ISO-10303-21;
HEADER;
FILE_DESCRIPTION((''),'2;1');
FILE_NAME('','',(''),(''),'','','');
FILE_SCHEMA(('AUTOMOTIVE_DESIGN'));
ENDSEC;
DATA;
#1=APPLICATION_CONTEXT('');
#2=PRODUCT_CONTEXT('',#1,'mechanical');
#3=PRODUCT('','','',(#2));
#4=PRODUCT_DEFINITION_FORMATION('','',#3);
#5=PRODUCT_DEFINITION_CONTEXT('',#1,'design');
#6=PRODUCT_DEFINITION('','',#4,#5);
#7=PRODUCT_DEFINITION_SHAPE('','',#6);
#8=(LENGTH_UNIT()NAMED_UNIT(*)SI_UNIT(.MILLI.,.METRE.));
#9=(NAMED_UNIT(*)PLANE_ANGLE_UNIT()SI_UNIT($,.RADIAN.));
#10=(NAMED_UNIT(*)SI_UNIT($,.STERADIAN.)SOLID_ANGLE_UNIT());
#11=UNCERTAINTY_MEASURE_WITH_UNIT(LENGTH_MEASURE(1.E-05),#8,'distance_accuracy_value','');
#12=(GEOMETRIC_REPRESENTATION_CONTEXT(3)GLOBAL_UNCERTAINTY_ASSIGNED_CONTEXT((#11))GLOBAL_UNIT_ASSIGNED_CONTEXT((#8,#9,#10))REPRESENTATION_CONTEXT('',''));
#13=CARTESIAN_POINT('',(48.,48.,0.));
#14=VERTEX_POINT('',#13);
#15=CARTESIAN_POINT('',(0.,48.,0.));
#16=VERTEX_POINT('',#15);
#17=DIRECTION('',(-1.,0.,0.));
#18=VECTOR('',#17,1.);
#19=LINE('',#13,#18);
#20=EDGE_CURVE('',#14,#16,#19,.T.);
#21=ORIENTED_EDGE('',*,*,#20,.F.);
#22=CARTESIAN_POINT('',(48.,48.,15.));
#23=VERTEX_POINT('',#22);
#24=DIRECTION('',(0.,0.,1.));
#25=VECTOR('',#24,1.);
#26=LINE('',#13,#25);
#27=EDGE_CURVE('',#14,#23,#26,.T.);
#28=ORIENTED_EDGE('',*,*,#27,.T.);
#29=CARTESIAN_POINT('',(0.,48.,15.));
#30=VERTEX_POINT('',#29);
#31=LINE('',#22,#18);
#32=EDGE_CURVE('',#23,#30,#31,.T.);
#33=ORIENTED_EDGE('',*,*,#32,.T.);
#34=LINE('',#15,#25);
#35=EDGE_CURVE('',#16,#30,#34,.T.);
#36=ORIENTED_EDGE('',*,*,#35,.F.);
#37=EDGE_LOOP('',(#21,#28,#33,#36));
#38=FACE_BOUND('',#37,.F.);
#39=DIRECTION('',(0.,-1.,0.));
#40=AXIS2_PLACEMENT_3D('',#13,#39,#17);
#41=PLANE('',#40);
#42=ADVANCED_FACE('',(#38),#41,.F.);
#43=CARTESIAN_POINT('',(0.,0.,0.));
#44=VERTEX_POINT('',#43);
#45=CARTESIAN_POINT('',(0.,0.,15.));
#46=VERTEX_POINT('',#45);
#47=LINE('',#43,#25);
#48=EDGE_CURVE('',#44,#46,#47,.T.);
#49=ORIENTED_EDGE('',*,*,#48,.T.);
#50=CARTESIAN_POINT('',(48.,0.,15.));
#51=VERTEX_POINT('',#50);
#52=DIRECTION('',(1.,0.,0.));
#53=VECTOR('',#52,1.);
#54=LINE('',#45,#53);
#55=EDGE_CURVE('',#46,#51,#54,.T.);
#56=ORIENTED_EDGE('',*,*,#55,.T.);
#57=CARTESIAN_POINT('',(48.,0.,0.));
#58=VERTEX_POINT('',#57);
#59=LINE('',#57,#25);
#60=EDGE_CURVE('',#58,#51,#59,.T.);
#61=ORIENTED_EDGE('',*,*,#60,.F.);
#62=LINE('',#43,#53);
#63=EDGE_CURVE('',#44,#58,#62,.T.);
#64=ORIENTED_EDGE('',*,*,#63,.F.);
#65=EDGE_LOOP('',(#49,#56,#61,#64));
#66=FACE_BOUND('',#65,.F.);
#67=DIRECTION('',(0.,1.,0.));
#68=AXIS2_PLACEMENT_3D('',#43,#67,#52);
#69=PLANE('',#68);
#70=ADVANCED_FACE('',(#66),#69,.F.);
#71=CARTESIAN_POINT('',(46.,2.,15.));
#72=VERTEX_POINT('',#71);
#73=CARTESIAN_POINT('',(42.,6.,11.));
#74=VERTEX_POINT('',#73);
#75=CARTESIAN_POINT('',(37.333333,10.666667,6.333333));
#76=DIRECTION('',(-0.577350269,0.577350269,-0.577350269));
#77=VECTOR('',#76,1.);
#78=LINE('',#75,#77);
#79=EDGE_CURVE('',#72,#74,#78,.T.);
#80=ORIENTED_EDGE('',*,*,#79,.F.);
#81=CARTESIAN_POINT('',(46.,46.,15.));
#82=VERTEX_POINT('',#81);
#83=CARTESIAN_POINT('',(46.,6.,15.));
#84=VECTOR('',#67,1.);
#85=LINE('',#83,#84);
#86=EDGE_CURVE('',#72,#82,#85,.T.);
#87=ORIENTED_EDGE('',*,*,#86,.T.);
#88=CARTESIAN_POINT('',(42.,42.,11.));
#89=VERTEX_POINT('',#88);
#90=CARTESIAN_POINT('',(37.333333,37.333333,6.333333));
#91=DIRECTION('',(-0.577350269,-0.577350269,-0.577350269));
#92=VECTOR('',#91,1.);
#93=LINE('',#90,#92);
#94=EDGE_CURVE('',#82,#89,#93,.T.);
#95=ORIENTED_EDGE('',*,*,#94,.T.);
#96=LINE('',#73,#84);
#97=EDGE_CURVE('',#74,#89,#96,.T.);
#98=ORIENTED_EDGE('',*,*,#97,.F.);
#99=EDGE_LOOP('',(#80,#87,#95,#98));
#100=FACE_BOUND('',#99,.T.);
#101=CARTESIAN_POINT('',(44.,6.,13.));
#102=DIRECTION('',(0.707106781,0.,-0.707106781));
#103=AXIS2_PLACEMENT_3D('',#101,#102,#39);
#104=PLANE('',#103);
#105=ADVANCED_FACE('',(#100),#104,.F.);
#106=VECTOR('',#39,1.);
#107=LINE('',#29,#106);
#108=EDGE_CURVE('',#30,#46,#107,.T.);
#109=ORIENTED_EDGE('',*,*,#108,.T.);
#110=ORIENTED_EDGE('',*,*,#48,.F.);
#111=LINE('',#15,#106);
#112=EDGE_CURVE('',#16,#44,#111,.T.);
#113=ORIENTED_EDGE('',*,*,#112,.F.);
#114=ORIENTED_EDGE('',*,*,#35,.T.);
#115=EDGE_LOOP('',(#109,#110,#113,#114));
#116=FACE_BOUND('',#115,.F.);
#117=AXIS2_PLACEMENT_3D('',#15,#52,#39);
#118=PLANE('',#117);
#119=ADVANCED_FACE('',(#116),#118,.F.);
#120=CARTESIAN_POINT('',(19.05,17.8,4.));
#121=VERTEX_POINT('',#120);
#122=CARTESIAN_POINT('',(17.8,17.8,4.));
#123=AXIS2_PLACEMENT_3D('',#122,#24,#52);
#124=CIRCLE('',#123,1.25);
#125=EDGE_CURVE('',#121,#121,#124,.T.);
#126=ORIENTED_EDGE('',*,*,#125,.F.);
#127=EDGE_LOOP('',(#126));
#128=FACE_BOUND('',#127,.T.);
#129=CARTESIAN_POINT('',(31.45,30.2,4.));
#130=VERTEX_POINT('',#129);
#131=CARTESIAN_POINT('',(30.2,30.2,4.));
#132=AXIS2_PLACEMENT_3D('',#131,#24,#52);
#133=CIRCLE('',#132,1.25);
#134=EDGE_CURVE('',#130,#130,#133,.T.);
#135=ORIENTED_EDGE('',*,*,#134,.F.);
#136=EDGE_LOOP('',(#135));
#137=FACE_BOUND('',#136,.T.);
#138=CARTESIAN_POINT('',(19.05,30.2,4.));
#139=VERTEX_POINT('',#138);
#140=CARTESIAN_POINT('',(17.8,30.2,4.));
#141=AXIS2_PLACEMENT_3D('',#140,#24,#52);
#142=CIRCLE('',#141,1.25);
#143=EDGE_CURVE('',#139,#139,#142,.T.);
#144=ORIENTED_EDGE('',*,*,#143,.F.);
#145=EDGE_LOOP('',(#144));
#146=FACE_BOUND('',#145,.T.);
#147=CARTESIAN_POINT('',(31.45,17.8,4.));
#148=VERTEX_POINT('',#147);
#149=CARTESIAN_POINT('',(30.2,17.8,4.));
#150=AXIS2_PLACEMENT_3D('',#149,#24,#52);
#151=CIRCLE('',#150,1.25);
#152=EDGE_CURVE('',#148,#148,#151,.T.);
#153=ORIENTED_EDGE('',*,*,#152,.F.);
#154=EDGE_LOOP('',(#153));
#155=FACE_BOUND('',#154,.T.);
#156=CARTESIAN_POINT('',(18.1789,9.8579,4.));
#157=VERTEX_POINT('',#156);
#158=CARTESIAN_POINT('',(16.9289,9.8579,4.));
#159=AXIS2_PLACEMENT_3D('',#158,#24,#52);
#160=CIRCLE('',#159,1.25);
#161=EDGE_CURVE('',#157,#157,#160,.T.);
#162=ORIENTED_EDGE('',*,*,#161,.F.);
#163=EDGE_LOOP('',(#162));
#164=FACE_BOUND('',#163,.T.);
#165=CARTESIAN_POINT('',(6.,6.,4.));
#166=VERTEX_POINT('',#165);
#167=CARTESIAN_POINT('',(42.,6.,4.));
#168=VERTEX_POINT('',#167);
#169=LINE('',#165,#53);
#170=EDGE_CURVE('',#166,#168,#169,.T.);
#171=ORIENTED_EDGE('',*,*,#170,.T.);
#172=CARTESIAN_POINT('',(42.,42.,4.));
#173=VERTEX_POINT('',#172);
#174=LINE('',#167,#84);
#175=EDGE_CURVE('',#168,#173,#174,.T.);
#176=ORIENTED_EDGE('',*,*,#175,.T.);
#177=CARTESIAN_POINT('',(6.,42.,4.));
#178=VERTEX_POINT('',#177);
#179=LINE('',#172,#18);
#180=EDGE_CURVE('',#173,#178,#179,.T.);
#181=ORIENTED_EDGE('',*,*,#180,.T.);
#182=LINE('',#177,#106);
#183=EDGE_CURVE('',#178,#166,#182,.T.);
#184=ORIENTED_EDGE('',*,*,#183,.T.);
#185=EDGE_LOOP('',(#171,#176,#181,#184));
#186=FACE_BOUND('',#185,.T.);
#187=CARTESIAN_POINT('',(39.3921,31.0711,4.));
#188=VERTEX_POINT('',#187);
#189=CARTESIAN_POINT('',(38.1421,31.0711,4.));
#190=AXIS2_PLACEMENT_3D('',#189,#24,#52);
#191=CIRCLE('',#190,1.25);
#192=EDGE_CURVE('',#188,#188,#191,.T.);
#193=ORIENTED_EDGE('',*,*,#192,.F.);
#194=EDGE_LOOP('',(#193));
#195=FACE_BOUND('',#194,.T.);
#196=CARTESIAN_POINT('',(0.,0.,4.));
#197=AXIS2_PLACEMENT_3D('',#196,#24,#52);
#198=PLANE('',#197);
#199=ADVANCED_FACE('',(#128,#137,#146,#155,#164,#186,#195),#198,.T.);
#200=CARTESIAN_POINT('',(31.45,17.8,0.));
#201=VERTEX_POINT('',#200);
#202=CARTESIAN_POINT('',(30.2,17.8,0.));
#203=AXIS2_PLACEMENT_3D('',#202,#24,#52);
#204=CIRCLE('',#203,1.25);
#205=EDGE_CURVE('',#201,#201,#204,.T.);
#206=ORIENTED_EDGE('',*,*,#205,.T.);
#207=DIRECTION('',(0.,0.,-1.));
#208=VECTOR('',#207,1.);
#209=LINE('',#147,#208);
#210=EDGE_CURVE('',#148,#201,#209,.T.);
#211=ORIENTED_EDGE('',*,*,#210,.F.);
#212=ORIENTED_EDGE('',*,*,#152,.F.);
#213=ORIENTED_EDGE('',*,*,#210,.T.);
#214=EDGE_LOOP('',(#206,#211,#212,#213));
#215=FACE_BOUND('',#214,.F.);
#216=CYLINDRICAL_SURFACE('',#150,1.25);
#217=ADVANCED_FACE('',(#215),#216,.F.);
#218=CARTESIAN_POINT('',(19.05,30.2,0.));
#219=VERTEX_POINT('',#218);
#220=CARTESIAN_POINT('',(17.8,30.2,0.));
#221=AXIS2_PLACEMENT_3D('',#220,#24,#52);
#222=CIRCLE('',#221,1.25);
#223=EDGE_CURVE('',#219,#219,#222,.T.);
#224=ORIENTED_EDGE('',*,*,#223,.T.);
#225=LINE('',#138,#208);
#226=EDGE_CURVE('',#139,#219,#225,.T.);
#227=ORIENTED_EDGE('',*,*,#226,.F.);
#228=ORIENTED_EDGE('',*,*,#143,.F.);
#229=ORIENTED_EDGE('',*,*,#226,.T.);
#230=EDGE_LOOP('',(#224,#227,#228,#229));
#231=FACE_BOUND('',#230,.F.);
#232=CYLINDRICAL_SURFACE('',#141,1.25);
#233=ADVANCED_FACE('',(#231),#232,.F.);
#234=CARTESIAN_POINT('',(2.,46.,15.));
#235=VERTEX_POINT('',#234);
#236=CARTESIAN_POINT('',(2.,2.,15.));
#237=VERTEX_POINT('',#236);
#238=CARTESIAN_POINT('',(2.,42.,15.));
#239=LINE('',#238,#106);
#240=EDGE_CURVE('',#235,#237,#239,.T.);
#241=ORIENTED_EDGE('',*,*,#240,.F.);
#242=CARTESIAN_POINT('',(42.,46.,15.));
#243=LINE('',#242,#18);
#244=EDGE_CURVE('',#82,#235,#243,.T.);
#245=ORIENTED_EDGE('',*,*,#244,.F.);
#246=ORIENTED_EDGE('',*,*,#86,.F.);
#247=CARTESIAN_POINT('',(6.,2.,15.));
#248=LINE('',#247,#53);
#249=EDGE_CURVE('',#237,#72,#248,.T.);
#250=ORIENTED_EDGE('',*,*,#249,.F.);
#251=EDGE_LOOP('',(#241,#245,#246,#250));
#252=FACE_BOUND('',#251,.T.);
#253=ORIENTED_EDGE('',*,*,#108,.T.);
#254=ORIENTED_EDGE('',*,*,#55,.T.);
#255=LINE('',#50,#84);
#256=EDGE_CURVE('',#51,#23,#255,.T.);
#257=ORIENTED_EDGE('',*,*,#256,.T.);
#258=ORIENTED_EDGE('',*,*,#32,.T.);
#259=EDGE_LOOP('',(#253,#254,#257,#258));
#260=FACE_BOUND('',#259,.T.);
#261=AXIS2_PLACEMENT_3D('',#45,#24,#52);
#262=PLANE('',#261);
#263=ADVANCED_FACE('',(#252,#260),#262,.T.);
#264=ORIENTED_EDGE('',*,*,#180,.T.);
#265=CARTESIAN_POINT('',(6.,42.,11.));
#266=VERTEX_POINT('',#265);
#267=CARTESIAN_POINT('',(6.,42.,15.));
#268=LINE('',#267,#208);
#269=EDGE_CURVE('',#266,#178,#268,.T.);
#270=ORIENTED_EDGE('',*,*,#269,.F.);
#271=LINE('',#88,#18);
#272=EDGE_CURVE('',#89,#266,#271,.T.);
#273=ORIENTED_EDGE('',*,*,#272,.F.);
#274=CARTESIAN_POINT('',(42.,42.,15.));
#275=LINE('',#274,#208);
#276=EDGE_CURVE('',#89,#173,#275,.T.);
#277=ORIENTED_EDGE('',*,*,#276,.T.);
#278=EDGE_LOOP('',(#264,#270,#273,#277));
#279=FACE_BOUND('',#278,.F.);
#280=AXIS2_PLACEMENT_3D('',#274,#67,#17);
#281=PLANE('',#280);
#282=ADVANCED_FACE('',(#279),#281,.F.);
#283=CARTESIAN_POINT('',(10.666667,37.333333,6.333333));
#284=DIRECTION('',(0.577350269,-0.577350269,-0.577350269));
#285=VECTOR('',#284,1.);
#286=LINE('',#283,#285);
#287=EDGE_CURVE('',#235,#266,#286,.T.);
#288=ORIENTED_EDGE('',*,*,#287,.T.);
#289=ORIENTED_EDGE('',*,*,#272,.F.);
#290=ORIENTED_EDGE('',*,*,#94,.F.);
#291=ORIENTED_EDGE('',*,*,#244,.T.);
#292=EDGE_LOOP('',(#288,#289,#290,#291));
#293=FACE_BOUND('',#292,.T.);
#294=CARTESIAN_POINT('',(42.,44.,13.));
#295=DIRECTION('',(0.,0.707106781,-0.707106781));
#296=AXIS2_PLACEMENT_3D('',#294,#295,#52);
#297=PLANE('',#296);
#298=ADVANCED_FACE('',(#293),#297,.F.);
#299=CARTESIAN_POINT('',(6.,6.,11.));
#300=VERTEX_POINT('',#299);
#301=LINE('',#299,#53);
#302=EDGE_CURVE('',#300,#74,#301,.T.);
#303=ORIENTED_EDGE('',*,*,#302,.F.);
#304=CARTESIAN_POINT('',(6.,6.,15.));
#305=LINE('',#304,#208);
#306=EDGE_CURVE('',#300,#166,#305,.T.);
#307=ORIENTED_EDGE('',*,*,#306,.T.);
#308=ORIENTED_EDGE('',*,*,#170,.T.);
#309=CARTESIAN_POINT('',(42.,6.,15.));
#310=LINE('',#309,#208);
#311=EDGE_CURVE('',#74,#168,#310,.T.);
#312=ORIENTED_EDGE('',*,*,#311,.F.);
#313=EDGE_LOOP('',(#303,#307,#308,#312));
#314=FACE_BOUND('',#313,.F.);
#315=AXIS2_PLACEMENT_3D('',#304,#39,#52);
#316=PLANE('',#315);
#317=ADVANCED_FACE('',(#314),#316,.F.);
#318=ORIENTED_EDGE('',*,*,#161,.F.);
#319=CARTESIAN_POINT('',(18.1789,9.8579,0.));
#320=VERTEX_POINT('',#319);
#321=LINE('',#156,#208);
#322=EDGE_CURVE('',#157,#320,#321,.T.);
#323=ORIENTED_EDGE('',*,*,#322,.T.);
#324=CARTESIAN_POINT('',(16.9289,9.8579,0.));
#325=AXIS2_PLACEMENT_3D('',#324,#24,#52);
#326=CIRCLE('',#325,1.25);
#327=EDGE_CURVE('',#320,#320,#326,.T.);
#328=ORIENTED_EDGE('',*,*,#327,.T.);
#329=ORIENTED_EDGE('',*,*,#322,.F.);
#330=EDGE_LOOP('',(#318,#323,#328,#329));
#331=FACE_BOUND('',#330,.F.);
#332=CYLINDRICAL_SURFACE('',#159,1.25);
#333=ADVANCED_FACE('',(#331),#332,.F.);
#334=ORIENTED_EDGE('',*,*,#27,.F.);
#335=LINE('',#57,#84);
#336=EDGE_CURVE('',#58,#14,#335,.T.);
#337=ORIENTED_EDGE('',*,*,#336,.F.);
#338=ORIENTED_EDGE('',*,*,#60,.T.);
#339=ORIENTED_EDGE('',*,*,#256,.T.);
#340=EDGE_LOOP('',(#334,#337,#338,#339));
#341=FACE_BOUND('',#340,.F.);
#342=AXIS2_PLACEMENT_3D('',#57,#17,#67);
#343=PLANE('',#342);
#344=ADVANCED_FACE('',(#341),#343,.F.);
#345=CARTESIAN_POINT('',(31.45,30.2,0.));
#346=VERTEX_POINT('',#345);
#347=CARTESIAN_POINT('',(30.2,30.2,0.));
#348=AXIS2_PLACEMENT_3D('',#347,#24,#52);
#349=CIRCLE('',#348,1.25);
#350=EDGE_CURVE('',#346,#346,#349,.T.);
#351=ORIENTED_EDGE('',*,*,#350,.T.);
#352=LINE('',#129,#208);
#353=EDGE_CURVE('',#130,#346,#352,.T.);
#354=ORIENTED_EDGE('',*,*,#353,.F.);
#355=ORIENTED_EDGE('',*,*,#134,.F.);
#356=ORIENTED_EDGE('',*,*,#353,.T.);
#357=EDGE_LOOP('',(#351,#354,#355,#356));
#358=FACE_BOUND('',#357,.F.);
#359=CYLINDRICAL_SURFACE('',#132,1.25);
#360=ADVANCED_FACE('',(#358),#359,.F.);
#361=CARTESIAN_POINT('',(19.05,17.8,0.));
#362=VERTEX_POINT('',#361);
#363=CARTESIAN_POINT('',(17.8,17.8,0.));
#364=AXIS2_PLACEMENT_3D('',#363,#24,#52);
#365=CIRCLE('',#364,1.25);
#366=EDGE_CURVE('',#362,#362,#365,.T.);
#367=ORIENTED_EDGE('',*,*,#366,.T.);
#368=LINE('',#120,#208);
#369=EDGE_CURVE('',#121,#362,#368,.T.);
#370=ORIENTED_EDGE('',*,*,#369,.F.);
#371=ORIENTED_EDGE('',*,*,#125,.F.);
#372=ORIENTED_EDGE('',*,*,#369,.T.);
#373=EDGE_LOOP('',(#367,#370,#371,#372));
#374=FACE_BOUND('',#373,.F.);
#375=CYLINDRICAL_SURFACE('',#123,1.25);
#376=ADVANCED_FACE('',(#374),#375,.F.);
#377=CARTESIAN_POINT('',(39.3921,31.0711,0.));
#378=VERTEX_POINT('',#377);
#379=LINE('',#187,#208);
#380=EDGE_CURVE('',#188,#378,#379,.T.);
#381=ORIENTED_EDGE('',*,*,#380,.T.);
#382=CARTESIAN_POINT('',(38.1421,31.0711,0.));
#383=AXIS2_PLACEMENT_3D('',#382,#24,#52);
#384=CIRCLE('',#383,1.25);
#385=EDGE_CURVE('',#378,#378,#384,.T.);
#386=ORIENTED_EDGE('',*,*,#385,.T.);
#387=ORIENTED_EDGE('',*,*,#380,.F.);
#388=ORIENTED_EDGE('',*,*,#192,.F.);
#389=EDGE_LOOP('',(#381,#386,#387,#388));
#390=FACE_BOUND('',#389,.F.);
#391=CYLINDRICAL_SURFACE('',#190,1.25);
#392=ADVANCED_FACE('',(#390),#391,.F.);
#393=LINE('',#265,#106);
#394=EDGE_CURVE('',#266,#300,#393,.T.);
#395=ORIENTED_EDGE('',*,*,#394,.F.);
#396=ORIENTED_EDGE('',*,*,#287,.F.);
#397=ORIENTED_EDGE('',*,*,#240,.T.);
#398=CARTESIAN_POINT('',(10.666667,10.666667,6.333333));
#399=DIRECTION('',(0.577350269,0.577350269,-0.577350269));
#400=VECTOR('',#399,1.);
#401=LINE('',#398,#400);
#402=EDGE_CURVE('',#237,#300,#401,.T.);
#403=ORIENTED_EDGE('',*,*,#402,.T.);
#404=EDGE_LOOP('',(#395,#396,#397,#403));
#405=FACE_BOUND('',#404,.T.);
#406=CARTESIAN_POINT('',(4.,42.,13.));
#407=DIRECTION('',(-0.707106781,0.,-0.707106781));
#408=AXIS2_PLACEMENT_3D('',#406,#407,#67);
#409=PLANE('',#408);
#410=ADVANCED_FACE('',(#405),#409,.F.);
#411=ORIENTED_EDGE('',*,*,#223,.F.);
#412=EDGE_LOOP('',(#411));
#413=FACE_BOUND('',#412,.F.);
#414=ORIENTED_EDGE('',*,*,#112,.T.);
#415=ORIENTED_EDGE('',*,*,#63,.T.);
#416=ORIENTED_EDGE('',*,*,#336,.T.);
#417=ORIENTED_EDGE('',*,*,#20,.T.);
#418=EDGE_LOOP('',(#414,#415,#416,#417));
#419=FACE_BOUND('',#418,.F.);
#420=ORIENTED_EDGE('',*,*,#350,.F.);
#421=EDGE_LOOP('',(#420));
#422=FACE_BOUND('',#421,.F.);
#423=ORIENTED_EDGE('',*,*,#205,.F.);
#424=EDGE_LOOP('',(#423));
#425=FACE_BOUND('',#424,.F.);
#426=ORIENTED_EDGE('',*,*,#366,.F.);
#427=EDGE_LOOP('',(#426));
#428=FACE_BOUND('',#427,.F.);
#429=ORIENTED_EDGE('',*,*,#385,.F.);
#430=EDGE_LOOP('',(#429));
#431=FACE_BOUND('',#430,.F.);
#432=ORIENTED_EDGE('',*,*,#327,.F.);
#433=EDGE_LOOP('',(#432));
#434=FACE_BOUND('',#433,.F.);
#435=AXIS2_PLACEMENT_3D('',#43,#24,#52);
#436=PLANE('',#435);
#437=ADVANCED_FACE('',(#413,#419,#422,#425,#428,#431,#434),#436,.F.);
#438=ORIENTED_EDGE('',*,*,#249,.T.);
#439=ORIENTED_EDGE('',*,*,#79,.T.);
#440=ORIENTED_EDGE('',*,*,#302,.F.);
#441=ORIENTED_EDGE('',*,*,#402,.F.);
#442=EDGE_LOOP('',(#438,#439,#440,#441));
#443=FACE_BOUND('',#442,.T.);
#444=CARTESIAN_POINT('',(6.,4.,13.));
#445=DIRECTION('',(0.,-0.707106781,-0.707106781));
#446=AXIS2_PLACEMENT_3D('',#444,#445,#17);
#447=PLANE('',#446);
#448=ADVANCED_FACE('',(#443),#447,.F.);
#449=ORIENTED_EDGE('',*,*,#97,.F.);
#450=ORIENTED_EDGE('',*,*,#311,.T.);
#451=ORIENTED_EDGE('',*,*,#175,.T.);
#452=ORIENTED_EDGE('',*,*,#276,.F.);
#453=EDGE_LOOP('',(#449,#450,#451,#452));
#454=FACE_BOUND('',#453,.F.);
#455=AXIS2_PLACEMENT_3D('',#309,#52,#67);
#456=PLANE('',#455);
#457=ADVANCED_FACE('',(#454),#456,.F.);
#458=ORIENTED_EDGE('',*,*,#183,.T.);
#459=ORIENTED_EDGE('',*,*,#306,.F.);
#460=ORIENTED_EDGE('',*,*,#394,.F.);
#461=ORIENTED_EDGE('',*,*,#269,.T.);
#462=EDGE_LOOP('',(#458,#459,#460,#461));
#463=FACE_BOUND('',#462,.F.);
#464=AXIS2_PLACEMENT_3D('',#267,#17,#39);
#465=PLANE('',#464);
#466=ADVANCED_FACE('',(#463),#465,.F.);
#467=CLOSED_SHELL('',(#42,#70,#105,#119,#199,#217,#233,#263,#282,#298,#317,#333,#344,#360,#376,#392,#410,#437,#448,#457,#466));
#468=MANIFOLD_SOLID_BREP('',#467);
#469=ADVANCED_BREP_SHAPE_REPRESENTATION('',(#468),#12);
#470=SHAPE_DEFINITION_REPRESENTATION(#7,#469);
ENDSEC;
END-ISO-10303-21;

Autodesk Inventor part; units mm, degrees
ref_plane "YZ Plane" through (0, 0, 0) normal (1, 0, 0) x (0, 1, 0)
ref_plane "XZ Plane" through (0, 0, 0) normal (0, 1, 0) x (-1, 0, 0)
ref_plane "XY Plane" through (0, 0, 0) normal (0, 0, 1) x (1, 0, 0)
sketch "Sketch1" plane through (0, 0, 0) normal (0, 0, 1) x (1, 0, 0)
  line L0 (0, 0) -> (48, 0)
  line L1 (48, 0) -> (48, 48)
  line L2 (48, 48) -> (0, 48)
  line L3 (0, 48) -> (0, 0)
  dimension "d0" = 48
  dimension "d1" = 48
extrude "Extrusion1" add sketch "Sketch1" along normal blind 15
sketch "Sketch2" plane through (0, 0, 15) normal (0, 0, 1) x (1, 0, 0)
  line L0 (6, 6) -> (42, 6)
  line L1 (42, 6) -> (42, 42)
  line L2 (42, 42) -> (6, 42)
  line L3 (6, 42) -> (6, 6)
  point P0 (0, 0)
  dimension "d6" = 36
  dimension "d7" = 36
extrude "Extrusion2" cut sketch "Sketch2" against normal blind 11
chamfer "Chamfer1" distance 4 angle 45 4 edges at (42, 24, 15) (24, 42, 15) (6, 24, 15) (24, 6, 15)
sketch "Sketch3" plane through (0, 0, 4) normal (0, 0, 1) x (1, 0, 0)
  line L0 (0, 0) -> (24, 0)
  line L1 (0, 24) -> (0, 0)
  line L2 (46, 46) -> (2, 46) projected
  line L3 (26.6, 24) -> (26.6, 24.8)
  line L4 (26.6, 24.8) -> (30.2, 24.8)
  line L5 (30.2, 24.8) -> (30.2, 23.2)
  line L6 (30.2, 23.2) -> (26.6, 23.2)
  line L7 (24, 21.4) -> (24.8, 21.4)
  line L8 (24.8, 21.4) -> (24.8, 17.8)
  line L9 (24.8, 17.8) -> (23.2, 17.8)
  line L10 (23.2, 17.8) -> (23.2, 21.4)
  line L11 (21.4, 23.2) -> (17.8, 23.2)
  line L12 (17.8, 23.2) -> (17.8, 24.8)
  line L13 (17.8, 24.8) -> (21.4, 24.8)
  line L14 (24, 26.6) -> (24.8, 26.6)
  line L15 (24.8, 26.6) -> (24.8, 30.2)
  line L16 (24.8, 30.2) -> (23.2, 30.2)
  line L17 (23.2, 30.2) -> (23.2, 26.6)
  line L18 (48, 48) -> (0, 48) projected
  line L19 (0, 48) -> (0, 0) projected
  circle A0 centre (38.1421, 31.0711) radius 1.25
  circle A1 centre (16.9289, 9.8579) radius 1.25
  line L20 (21.4, 23.2) -> (21.4, 24.8)
  line L21 (23.2, 26.6) -> (24, 26.6)
  line L22 (26.6, 23.2) -> (26.6, 24)
  line L23 (23.2, 21.4) -> (24, 21.4)
  circle A2 centre (26.6, 21.4) radius 1.25
  circle A3 centre (21.4, 26.6) radius 1.25
  circle A4 centre (26.6, 26.6) radius 1.25
  circle A5 centre (21.4, 21.4) radius 1.25
  line L24 (24, 24) -> (30.2, 24)
  circle A6 centre (30.2, 30.2) radius 1.25
  circle A7 centre (17.8, 30.2) radius 1.25
  circle A8 centre (17.8, 17.8) radius 1.25
  circle A9 centre (30.2, 17.8) radius 1.25
  circle A10 centre (9.8579, 9.8579) radius 1.25
  circle A11 centre (38.1421, 38.1421) radius 1.25
  point P0 (48, 0)
  dimension "d21" = 0.8
  dimension "d22" = 3.6
  dimension "d23" = 1.6
  dimension "d25" = 3.6
  dimension "d26" = 1.6
  dimension "d27" = 3.6
  dimension "d28" = 1.6
  dimension "d30" = 1.6
  dimension "d62" = 2.5
  dimension "d63" = 2.5
  dimension "d64" = 2.5
  dimension "d65" = 2.5
  dimension "d66" = 2.5
  dimension "d67" = 2.5
extrude "Extrusion4" cut sketch "Sketch3" against normal blind 5 contours A0 | A1 | A6 | A7 | A8 | A9
properties part number "one-square"
